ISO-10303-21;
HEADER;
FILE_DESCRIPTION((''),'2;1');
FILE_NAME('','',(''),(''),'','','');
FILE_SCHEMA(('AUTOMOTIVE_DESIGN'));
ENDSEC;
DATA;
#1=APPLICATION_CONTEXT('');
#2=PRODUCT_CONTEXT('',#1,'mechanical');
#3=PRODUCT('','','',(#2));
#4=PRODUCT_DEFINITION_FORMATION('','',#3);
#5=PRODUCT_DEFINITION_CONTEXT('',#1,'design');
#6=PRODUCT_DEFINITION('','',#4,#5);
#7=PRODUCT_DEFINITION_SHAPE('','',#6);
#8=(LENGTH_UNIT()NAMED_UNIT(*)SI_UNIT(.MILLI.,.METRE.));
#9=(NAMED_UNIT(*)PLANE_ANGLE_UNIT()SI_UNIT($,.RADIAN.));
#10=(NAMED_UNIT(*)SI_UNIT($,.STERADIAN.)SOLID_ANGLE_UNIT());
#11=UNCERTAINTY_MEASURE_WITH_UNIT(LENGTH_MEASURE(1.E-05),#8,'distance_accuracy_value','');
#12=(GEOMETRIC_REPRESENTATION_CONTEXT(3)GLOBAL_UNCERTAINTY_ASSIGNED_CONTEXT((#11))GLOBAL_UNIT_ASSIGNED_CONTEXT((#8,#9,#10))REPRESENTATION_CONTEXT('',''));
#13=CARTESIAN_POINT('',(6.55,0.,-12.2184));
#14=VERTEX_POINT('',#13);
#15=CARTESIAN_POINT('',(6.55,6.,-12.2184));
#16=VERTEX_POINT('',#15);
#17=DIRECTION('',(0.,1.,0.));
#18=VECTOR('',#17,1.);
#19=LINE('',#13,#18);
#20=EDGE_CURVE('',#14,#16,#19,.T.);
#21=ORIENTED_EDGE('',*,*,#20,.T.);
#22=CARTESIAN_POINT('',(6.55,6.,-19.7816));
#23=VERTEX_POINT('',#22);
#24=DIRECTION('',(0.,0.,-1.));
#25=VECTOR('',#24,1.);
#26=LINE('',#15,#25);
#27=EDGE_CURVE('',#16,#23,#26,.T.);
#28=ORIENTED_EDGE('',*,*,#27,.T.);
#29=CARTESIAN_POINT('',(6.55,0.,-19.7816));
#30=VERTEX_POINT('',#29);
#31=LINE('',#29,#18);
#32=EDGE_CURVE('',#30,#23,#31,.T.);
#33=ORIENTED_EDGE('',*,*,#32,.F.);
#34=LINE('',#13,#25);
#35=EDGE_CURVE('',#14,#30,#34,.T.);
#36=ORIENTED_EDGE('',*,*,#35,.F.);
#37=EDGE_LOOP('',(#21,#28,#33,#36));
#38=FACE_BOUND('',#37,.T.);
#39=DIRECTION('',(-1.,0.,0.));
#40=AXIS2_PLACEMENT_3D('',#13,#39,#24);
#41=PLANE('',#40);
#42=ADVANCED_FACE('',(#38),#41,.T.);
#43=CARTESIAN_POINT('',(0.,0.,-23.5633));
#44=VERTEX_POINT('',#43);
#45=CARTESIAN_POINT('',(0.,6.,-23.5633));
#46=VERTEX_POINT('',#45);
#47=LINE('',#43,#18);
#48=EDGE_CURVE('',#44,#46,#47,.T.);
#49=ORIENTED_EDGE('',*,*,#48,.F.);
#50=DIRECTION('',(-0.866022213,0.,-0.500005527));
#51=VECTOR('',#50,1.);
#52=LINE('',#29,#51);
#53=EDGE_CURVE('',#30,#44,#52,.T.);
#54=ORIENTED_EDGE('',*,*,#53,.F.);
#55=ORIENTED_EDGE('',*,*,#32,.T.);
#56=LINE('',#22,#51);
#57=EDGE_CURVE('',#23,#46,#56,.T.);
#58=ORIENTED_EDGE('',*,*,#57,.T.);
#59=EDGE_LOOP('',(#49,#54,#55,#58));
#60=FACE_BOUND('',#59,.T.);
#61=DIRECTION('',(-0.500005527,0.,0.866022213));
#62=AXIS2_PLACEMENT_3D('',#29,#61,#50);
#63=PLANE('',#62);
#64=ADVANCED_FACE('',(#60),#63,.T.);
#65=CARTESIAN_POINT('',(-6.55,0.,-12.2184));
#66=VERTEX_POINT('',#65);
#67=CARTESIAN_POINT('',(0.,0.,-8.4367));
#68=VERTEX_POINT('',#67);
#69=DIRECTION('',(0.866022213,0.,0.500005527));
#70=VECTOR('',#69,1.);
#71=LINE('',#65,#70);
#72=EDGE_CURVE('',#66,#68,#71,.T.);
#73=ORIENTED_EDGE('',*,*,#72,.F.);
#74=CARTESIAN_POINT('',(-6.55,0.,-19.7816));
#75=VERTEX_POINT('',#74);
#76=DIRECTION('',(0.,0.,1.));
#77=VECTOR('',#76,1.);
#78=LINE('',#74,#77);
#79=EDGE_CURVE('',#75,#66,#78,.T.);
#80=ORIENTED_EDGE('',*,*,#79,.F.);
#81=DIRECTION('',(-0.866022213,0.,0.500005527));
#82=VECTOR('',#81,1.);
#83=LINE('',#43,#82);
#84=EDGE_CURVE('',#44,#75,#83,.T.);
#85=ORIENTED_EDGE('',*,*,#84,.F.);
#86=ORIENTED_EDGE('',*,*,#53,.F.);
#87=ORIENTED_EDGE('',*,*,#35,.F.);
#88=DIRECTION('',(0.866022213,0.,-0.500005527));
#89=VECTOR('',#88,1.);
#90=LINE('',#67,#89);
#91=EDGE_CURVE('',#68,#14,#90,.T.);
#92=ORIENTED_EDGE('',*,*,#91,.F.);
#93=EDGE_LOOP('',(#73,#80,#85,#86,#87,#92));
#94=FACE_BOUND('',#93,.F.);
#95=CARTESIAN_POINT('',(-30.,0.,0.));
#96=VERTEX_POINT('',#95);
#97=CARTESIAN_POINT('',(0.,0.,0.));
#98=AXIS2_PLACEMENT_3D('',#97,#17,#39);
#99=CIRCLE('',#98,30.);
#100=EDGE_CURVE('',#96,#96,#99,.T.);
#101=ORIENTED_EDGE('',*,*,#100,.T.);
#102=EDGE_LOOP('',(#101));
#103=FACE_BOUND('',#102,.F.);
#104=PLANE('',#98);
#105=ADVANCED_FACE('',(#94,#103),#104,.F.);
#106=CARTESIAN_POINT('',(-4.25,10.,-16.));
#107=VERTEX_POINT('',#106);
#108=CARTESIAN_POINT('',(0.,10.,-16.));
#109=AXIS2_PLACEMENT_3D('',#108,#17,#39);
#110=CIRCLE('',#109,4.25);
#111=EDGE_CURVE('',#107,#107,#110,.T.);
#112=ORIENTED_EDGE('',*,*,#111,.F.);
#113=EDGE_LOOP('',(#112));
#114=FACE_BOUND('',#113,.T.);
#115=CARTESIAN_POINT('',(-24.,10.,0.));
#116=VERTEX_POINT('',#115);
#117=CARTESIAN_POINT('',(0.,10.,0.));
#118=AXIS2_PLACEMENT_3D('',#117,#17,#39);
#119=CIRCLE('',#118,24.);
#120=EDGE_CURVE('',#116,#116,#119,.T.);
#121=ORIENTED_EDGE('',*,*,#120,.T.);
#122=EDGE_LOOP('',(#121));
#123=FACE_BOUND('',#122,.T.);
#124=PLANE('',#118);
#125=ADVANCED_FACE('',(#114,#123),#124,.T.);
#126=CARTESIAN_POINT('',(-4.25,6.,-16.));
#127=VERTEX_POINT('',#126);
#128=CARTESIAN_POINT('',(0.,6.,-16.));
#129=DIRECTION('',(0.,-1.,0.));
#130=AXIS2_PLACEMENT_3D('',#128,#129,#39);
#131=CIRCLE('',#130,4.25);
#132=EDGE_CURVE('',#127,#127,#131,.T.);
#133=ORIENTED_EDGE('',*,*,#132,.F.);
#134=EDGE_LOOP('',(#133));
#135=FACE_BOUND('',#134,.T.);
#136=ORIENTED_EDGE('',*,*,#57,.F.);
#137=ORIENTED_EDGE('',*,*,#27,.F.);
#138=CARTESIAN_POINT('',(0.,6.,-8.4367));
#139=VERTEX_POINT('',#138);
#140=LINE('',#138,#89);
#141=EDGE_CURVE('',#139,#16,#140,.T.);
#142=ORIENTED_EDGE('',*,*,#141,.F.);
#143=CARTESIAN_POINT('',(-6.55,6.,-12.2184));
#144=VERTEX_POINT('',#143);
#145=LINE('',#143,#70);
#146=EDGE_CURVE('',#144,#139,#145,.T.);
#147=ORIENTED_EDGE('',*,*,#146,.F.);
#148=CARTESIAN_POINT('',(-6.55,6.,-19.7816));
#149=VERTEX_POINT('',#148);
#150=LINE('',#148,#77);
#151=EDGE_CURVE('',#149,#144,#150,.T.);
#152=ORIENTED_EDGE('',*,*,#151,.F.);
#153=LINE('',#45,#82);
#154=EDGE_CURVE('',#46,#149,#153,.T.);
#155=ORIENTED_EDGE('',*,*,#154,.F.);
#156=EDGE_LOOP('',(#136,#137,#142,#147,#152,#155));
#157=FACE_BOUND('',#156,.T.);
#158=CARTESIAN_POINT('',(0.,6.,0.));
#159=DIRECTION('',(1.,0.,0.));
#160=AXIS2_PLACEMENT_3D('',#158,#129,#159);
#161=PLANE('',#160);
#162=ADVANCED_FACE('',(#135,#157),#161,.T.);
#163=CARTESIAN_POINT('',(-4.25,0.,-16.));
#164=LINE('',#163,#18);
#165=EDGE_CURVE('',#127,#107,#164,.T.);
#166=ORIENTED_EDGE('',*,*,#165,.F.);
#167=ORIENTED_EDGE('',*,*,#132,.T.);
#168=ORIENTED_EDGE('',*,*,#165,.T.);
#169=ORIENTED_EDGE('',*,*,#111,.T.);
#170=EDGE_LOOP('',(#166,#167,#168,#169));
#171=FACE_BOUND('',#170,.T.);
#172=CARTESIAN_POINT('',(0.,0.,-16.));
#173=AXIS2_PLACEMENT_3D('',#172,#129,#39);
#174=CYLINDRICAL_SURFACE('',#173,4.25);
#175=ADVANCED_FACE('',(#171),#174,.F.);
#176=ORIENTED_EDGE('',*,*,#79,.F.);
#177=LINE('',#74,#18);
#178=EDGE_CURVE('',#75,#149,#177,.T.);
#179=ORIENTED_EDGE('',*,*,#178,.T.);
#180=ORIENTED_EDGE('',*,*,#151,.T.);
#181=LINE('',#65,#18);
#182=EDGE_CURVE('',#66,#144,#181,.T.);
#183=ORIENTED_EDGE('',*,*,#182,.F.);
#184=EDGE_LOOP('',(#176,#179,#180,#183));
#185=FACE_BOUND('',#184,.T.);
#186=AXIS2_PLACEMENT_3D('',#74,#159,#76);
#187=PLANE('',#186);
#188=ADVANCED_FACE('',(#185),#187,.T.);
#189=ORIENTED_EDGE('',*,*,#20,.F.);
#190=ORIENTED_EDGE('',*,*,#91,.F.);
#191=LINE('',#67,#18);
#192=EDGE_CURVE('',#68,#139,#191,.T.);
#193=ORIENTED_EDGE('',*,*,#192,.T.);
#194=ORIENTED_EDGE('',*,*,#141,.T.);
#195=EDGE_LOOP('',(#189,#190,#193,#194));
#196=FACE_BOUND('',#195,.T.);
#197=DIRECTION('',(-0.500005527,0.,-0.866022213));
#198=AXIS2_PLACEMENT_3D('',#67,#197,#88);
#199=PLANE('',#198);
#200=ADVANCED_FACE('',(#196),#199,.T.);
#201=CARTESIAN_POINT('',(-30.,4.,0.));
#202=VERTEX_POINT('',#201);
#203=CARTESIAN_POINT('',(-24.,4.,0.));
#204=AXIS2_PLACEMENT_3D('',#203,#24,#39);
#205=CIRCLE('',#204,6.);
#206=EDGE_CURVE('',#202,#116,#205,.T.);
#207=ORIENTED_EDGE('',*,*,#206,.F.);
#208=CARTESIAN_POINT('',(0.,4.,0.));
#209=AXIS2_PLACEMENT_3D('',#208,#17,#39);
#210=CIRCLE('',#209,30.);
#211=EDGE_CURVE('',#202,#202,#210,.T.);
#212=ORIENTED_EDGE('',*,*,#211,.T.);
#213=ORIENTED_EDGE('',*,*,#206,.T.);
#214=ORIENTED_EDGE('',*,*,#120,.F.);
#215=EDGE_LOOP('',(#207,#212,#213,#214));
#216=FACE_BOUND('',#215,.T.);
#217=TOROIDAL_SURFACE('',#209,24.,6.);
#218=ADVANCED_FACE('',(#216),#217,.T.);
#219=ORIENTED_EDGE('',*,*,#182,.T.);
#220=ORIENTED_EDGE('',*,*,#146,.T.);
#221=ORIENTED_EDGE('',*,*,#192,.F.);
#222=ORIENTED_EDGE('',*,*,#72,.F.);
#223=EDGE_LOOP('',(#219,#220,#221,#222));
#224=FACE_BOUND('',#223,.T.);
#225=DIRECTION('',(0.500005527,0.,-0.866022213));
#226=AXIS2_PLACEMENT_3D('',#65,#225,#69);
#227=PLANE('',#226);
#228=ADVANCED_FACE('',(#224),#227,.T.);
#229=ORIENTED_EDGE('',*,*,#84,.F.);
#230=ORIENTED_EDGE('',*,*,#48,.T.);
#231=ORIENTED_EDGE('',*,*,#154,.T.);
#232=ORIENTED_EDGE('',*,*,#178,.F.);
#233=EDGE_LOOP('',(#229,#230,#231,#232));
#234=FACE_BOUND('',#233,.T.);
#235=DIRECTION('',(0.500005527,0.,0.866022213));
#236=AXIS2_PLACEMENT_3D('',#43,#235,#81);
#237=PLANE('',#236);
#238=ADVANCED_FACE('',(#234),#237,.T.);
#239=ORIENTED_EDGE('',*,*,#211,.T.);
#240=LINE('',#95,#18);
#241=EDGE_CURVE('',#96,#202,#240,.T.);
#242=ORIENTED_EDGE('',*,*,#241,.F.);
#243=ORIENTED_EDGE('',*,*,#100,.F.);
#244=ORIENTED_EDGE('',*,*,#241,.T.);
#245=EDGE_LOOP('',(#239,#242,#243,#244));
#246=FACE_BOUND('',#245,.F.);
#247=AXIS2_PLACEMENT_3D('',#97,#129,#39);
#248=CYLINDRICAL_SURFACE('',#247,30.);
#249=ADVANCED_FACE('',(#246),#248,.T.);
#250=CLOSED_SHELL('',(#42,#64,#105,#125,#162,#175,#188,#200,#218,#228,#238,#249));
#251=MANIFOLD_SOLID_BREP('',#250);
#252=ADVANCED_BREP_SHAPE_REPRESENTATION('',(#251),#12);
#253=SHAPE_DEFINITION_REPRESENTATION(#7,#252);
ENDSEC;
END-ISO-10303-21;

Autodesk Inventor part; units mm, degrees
ref_plane "YZ Plane" through (0, 0, 0) normal (1, 0, 0) x (0, 1, 0)
ref_plane "XZ Plane" through (0, 0, 0) normal (0, 1, 0) x (-1, 0, 0)
ref_plane "XY Plane" through (0, 0, 0) normal (0, 0, 1) x (1, 0, 0)
sketch "Sketch1" plane through (0, 0, 0) normal (0, 1, 0) x (-1, 0, 0)
  circle A0 centre (0, 0) radius 30
  circle A1 centre (0, -16) radius 4.25
  dimension "d0" = 60
  dimension "d1" = 8.5
  dimension "d2" = 16
extrude "Extrusion1" add sketch "Sketch1" along normal blind 10
sketch "Sketch2" plane through (0, 0, 0) normal (0, -1, 0) x (1, 0, 0)
  circle A0 centre (0, -16) radius 4.25 construction
  line L0 (6.55, -19.7816) -> (0, -23.5633)
  line L1 (0, -23.5633) -> (-6.55, -19.7816)
  line L2 (-6.55, -19.7816) -> (-6.55, -12.2184)
  line L3 (-6.55, -12.2184) -> (0, -8.4367)
  line L4 (0, -8.4367) -> (6.55, -12.2184)
  line L5 (6.55, -12.2184) -> (6.55, -19.7816)
  point P0 (0, 0)
  dimension "d5" = 13.1
extrude "Extrusion2" cut sketch "Sketch2" against normal blind 6
fillet "Fillet1" radius 6 1 edges at (30, 10, 0)
properties part number "base" material "PC/ABS Plastic"
